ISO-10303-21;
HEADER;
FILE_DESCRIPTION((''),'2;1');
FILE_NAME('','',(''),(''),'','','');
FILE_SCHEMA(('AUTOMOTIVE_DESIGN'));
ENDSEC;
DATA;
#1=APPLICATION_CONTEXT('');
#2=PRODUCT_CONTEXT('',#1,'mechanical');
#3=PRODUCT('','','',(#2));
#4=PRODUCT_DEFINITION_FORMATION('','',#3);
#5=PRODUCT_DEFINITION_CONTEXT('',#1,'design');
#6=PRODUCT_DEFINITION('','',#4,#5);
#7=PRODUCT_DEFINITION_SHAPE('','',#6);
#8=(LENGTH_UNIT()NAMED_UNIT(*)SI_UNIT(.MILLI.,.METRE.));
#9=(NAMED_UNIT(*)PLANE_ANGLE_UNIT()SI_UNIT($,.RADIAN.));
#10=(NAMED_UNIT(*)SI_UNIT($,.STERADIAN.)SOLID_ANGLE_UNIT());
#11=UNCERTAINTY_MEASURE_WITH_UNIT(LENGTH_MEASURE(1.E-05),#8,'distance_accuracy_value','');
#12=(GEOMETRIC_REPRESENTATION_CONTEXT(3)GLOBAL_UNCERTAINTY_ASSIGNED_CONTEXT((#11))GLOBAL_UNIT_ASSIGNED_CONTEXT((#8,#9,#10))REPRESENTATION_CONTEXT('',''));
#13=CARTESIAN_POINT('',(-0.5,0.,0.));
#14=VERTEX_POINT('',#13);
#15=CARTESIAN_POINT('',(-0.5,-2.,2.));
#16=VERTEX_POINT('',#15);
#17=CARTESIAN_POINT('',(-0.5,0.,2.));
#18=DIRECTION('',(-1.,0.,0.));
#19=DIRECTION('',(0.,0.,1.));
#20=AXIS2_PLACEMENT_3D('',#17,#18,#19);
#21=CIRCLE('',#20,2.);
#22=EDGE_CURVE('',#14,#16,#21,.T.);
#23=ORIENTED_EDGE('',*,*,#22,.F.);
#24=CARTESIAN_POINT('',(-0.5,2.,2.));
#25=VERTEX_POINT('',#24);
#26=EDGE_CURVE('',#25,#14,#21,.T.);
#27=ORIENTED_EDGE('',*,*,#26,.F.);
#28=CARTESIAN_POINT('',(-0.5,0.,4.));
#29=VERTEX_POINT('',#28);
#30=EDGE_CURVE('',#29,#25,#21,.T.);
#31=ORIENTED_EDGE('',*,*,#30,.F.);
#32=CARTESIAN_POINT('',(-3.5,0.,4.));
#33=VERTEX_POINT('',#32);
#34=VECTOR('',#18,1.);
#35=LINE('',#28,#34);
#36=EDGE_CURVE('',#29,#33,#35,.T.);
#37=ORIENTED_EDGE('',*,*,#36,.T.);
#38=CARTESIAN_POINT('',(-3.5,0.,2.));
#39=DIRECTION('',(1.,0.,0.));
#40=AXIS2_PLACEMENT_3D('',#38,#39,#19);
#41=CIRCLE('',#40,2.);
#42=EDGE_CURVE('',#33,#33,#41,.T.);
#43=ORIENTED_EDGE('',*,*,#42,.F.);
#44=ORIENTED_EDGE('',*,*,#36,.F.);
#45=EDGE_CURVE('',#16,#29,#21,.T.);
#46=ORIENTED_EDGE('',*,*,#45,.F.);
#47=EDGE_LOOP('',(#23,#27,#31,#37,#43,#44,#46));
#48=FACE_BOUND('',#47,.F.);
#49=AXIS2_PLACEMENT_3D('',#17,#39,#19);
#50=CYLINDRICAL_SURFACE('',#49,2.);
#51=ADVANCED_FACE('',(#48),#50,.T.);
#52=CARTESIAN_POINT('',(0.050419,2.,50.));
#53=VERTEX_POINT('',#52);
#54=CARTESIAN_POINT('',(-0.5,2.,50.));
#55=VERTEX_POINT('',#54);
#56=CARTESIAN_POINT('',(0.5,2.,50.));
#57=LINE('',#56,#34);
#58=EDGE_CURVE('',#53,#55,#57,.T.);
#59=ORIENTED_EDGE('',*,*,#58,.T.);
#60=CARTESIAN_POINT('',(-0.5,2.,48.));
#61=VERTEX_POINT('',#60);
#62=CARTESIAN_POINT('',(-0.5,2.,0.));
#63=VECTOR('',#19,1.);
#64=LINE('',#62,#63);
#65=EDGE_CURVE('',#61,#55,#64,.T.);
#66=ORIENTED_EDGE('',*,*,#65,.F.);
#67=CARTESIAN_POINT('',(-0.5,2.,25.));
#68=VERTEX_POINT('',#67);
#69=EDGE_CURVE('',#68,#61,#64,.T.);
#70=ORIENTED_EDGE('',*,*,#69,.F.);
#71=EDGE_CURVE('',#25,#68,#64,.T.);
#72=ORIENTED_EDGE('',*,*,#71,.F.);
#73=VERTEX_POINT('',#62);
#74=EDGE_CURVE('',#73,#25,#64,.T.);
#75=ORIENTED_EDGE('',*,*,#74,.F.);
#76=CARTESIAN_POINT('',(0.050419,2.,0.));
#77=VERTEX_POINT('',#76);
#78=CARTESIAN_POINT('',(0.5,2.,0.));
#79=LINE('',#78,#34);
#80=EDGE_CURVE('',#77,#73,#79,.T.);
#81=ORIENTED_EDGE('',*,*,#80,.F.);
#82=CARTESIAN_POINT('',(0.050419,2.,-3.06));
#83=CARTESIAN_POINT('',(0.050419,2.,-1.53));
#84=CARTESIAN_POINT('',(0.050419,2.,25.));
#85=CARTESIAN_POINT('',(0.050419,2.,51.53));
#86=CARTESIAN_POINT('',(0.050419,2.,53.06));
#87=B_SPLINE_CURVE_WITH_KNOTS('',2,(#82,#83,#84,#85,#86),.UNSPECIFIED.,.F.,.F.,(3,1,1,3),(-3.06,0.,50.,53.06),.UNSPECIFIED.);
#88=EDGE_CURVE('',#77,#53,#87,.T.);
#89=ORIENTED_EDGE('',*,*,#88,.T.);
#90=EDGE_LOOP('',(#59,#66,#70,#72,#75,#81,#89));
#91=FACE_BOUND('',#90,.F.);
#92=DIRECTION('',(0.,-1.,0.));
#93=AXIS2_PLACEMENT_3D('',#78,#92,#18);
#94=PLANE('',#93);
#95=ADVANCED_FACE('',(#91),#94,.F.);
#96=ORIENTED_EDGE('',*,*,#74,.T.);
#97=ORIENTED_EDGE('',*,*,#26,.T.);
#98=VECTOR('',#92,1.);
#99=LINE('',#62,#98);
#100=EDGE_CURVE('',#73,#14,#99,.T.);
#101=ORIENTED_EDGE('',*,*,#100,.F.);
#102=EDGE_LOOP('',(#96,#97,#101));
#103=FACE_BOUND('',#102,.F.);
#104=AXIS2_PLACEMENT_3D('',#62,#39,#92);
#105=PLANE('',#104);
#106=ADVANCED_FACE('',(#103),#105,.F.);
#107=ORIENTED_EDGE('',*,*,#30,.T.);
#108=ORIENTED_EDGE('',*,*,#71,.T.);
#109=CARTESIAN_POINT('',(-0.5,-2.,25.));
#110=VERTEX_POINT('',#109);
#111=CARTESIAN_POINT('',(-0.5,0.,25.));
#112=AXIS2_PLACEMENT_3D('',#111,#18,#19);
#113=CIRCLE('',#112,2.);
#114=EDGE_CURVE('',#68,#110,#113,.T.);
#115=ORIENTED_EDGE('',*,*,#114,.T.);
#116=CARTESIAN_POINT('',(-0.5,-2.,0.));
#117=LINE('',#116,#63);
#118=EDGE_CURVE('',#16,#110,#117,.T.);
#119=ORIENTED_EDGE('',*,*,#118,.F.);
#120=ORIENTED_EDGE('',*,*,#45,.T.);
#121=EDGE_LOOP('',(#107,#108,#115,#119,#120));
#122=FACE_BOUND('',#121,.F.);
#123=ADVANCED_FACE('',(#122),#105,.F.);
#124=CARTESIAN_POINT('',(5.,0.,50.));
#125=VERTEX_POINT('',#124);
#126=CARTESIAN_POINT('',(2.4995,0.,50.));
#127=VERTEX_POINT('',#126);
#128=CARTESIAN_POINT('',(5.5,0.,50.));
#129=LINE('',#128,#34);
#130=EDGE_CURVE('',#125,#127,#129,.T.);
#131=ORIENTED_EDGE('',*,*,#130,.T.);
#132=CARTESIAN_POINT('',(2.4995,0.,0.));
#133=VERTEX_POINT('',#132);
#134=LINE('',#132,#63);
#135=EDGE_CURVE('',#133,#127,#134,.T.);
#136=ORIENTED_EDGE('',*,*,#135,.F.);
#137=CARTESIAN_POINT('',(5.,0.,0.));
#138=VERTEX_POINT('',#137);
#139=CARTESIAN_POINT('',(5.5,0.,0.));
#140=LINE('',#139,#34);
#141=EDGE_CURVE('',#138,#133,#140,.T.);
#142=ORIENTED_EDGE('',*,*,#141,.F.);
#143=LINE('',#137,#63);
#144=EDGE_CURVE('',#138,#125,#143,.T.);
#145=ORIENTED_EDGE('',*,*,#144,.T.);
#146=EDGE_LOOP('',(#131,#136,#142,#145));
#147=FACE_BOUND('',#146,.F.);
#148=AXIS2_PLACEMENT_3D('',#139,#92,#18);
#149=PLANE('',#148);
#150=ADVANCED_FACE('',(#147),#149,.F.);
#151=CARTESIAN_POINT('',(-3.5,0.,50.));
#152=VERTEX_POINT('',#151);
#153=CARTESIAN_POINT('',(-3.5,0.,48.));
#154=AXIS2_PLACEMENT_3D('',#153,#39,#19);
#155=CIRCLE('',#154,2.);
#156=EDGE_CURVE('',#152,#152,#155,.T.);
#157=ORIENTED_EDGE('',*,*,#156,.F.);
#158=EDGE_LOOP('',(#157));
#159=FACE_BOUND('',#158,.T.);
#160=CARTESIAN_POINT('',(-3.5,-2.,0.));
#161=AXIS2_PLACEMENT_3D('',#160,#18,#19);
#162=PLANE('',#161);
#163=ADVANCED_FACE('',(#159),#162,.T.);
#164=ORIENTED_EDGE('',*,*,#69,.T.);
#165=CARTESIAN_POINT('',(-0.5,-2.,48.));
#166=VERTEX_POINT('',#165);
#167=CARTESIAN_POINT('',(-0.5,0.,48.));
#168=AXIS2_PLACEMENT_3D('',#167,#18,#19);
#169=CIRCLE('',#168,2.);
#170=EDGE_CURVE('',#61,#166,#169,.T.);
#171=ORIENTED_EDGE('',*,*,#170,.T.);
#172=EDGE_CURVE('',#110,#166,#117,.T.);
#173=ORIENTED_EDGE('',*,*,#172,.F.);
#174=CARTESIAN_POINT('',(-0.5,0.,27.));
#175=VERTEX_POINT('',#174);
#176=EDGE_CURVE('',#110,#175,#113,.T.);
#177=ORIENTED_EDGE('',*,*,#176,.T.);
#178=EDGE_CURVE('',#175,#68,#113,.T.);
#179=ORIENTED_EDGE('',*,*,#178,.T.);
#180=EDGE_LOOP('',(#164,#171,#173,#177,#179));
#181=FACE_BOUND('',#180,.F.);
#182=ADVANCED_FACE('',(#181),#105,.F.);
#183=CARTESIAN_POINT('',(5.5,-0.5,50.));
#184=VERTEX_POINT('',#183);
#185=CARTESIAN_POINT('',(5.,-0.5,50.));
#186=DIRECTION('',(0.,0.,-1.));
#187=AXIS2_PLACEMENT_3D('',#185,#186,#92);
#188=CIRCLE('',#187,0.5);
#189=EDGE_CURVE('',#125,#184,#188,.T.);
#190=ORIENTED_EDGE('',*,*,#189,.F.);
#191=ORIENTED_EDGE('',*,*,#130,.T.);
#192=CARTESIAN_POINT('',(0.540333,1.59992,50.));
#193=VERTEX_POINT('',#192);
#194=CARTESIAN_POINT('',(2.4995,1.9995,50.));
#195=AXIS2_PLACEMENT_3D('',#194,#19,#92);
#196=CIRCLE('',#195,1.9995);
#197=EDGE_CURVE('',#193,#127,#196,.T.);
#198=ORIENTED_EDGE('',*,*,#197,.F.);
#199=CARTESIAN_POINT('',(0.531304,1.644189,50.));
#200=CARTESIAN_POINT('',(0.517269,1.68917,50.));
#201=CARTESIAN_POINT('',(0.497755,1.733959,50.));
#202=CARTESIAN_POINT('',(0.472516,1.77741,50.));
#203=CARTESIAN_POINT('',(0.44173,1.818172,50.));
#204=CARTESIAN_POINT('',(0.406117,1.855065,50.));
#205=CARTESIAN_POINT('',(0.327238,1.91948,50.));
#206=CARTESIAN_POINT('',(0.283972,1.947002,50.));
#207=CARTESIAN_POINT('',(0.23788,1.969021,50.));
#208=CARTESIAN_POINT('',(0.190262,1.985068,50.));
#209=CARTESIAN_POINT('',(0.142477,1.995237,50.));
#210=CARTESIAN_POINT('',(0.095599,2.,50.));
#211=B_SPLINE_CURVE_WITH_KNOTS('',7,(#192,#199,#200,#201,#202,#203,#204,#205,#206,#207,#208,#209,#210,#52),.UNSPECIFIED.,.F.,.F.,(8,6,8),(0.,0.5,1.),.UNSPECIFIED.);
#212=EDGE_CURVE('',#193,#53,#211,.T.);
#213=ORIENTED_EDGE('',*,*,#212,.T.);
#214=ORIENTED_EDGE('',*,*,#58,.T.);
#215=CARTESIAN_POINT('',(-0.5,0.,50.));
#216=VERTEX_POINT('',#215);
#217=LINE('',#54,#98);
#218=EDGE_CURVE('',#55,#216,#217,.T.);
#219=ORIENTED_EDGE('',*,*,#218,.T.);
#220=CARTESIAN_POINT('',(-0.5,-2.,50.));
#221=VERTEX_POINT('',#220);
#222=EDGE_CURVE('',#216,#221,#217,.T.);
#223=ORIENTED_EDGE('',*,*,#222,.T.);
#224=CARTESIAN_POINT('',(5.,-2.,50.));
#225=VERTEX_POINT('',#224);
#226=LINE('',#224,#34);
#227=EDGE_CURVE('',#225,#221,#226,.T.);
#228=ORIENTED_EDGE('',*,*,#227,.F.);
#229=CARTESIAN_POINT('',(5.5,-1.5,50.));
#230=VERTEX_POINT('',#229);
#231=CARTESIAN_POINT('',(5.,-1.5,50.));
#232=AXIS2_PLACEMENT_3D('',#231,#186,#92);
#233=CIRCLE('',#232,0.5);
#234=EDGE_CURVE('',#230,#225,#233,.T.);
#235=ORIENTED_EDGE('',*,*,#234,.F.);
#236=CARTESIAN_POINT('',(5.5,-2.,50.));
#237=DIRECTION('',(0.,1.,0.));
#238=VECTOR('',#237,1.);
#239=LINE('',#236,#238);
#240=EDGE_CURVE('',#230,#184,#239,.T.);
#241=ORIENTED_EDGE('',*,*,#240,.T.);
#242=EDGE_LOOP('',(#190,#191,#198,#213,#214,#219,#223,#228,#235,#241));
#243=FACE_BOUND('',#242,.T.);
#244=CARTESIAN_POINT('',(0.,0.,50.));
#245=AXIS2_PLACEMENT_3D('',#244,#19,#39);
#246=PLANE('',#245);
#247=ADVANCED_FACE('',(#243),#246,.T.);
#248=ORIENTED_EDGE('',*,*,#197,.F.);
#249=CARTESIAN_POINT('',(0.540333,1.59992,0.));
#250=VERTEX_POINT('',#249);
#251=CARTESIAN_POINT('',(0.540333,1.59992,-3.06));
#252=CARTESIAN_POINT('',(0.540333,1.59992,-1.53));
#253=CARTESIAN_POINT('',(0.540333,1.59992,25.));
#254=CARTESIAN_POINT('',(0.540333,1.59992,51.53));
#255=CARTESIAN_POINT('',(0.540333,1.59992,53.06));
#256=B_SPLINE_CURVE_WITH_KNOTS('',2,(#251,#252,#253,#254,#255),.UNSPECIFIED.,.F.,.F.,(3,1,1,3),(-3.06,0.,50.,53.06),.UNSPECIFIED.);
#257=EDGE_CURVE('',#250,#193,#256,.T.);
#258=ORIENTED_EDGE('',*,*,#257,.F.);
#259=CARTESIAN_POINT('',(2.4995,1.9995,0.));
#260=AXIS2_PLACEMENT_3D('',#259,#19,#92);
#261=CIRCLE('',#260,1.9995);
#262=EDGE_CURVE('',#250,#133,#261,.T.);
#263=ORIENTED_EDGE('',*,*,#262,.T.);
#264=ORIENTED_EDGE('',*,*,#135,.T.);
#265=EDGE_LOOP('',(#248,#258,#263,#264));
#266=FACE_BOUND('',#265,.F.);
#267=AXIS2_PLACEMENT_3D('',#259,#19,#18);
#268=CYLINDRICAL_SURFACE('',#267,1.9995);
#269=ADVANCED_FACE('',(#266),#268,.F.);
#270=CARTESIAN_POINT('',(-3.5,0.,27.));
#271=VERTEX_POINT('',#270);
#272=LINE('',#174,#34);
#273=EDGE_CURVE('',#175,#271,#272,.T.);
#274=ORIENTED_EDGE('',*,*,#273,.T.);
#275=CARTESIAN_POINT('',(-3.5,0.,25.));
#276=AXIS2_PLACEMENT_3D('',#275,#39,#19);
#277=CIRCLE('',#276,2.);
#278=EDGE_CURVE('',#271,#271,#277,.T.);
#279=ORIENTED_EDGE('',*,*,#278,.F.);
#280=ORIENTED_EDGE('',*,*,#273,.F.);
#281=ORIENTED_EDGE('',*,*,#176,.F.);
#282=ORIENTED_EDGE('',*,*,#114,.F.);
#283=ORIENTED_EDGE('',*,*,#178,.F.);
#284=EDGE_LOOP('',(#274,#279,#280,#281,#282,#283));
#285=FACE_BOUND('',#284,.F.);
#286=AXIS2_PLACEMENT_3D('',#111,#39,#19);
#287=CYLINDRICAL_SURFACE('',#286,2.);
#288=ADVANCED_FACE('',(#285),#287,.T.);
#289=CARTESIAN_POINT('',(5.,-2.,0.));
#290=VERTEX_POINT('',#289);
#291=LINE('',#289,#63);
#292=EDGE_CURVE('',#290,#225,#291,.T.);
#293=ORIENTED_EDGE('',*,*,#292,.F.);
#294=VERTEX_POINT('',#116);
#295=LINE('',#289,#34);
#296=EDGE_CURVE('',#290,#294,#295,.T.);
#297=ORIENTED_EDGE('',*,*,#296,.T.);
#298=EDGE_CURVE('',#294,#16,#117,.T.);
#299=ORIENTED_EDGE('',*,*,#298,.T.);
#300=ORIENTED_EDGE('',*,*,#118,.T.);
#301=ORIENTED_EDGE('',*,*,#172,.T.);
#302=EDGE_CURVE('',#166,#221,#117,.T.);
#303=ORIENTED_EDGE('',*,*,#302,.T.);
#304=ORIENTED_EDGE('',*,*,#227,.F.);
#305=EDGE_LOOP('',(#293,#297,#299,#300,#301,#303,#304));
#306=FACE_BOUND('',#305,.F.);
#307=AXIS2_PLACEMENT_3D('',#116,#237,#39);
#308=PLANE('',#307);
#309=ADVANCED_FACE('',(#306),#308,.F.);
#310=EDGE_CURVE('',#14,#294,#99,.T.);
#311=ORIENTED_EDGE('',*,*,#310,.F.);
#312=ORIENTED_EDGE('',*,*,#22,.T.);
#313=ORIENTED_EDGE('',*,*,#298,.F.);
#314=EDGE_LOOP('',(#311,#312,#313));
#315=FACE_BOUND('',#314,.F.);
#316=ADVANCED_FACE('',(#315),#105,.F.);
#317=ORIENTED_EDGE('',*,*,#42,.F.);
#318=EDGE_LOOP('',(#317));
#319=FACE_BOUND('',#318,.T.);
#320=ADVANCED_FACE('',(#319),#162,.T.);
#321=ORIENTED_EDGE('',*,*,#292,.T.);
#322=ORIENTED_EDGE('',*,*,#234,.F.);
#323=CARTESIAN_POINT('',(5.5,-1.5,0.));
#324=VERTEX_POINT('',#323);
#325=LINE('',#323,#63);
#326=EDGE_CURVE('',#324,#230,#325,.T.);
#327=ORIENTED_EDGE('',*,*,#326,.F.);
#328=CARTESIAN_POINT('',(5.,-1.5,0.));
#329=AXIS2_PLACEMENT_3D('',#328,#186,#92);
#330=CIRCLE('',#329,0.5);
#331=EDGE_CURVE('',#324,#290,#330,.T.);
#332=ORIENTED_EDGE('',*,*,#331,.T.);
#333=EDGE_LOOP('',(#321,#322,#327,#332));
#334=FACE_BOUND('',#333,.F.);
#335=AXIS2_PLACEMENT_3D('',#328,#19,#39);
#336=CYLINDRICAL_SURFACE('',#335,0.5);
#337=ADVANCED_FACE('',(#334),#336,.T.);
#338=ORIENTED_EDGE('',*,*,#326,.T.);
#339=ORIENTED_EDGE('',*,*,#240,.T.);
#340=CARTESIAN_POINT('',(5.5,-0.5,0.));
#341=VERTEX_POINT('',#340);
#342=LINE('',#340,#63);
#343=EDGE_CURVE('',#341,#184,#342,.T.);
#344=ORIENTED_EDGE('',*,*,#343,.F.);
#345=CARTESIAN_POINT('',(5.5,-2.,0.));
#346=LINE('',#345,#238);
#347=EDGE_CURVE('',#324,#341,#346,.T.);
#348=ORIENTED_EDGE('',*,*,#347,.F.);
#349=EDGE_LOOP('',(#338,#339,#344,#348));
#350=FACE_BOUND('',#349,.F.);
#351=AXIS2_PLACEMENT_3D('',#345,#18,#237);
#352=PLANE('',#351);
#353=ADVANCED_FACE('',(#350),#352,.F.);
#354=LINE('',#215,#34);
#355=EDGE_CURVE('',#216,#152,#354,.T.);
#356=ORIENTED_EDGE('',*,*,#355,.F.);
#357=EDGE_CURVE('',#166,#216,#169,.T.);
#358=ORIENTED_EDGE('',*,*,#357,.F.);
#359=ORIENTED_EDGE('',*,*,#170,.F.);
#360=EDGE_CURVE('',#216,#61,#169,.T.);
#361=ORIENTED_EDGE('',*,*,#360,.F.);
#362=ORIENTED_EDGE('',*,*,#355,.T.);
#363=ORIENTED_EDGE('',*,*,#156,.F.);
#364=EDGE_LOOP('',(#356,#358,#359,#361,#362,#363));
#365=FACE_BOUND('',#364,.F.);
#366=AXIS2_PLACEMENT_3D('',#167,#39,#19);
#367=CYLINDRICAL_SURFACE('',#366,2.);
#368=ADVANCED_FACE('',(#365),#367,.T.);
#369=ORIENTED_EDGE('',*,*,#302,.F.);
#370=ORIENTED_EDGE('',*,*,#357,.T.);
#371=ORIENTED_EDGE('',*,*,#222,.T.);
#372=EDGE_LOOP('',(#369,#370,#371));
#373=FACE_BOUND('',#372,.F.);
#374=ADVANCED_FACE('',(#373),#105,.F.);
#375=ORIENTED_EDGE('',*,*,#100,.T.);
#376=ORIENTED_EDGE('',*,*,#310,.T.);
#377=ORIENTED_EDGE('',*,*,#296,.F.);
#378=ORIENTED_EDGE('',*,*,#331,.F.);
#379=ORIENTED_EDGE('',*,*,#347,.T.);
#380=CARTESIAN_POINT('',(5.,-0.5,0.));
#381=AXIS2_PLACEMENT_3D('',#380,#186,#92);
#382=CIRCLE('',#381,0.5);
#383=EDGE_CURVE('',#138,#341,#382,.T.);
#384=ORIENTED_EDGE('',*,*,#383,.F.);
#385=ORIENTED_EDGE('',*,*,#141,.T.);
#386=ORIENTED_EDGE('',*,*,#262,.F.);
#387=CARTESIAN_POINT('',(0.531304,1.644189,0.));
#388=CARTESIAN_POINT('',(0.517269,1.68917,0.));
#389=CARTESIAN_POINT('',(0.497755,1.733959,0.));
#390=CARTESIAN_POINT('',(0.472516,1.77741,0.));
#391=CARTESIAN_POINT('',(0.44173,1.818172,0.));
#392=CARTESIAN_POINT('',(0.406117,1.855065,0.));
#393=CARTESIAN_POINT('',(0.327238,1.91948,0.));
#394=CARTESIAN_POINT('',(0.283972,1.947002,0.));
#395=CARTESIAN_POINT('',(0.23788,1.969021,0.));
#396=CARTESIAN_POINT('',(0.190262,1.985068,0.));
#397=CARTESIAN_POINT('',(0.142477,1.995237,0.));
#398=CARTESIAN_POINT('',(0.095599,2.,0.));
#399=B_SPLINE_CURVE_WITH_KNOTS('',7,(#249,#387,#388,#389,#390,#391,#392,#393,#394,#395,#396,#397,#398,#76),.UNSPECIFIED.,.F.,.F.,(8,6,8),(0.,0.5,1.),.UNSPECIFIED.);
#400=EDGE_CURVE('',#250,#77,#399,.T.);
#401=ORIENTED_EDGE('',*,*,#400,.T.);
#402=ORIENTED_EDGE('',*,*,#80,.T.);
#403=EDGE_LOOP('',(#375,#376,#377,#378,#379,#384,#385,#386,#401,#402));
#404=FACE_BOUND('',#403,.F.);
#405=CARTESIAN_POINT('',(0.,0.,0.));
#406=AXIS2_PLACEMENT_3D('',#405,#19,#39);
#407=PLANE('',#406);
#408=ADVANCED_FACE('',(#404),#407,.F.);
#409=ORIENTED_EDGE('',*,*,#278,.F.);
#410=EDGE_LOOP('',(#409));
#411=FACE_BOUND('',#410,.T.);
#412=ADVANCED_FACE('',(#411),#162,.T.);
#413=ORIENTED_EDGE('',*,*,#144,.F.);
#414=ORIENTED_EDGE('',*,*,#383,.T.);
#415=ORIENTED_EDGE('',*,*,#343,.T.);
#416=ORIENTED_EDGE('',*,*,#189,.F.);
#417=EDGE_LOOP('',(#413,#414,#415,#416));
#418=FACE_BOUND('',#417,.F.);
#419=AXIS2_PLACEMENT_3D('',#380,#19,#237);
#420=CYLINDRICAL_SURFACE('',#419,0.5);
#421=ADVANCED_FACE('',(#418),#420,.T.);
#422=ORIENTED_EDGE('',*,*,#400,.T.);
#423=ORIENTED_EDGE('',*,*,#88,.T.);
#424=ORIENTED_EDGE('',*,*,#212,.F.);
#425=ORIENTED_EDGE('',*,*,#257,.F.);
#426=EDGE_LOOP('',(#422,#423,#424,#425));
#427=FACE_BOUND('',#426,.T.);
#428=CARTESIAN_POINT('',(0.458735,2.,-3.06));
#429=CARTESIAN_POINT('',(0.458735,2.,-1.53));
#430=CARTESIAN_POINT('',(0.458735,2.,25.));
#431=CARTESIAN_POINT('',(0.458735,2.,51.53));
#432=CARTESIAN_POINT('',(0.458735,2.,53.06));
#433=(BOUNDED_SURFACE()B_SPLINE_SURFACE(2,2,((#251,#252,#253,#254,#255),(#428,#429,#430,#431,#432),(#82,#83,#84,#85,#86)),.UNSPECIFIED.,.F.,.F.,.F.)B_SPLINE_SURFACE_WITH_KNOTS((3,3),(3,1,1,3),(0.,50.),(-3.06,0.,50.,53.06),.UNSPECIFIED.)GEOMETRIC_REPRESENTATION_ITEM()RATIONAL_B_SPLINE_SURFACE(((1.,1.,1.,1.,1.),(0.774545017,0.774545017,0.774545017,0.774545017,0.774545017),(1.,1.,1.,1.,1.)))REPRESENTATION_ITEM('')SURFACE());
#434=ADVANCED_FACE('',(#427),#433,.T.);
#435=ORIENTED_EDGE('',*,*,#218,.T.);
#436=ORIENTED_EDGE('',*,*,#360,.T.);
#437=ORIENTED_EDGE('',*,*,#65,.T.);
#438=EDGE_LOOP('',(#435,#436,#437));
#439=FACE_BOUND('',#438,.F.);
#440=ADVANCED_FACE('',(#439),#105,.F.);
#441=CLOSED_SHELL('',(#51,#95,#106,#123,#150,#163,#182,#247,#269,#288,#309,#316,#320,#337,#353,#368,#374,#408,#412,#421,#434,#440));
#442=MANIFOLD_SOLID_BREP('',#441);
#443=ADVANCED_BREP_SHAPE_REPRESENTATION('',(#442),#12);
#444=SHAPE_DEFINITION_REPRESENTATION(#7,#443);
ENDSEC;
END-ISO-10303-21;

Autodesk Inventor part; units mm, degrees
ref_plane "YZ Plane" through (0, 0, 0) normal (1, 0, 0) x (0, 1, 0)
ref_plane "XZ Plane" through (0, 0, 0) normal (0, 1, 0) x (-1, 0, 0)
ref_plane "XY Plane" through (0, 0, 0) normal (0, 0, 1) x (1, 0, 0)
sketch "Sketch1" plane through (0, 0, 0) normal (0, 0, 1) x (1, 0, 0)
  line L0 (-0.5, -2) -> (0.5, -2)
  line L1 (0.5, 0) -> (0.5, 2)
  line L2 (0.5, 2) -> (-0.5, 2)
  line L3 (-0.5, 2) -> (-0.5, -2)
  line L4 (-0.5, -2) -> (0.5, 2) construction
  line L5 (0.5, -2) -> (-0.5, 2) construction
  line L6 (0.5, -2) -> (5.5, -2)
  line L7 (5.5, -2) -> (5.5, 0)
  line L8 (5.5, 0) -> (0.5, 0)
  point P0 (0, 0)
  dimension "d0" = 1
  dimension "d1" = 4
  dimension "d2" = 5
  dimension "d3" = 14.036
  dimension "d4" = 2
extrude "Extrusion1" add sketch "Sketch1" along normal blind 50
fillet "Fillet1" radius 2 1 edges at (0.5, 0, 25)
fillet "Fillet2" radius 0.5 4 edges at (0.5, 1.9995, 25) (0.5, 2, 25) (5.5, -2, 25) (5.5, 0, 25)
sketch "Sketch2" plane through (-0.5, -2, 0) normal (-1, 0, 0) x (0, 0, 1)
  line L0 (50, 2) -> (0, 2) projected
  circle A0 centre (2, 2) radius 2
  line L1 (0, 4) -> (50, 4) projected
  line L2 (50, 4) -> (50, 0) projected
  circle A1 centre (48, 2) radius 2
  circle A2 centre (25, 2) radius 2
  dimension "d9" = 2
  dimension "d11" = 4
  dimension "d12" = 2
  dimension "d13" = 0
  dimension "d14" = 4
  dimension "d15" = 0
  dimension "d16" = 23
extrude "Extrusion2" add sketch "Sketch2" along normal blind 3 contours A0 L0 | L0 A0 | A2 L0 | L0 A2 | A1 L0 | L0 A1
properties part number "19 bakjes legger"
